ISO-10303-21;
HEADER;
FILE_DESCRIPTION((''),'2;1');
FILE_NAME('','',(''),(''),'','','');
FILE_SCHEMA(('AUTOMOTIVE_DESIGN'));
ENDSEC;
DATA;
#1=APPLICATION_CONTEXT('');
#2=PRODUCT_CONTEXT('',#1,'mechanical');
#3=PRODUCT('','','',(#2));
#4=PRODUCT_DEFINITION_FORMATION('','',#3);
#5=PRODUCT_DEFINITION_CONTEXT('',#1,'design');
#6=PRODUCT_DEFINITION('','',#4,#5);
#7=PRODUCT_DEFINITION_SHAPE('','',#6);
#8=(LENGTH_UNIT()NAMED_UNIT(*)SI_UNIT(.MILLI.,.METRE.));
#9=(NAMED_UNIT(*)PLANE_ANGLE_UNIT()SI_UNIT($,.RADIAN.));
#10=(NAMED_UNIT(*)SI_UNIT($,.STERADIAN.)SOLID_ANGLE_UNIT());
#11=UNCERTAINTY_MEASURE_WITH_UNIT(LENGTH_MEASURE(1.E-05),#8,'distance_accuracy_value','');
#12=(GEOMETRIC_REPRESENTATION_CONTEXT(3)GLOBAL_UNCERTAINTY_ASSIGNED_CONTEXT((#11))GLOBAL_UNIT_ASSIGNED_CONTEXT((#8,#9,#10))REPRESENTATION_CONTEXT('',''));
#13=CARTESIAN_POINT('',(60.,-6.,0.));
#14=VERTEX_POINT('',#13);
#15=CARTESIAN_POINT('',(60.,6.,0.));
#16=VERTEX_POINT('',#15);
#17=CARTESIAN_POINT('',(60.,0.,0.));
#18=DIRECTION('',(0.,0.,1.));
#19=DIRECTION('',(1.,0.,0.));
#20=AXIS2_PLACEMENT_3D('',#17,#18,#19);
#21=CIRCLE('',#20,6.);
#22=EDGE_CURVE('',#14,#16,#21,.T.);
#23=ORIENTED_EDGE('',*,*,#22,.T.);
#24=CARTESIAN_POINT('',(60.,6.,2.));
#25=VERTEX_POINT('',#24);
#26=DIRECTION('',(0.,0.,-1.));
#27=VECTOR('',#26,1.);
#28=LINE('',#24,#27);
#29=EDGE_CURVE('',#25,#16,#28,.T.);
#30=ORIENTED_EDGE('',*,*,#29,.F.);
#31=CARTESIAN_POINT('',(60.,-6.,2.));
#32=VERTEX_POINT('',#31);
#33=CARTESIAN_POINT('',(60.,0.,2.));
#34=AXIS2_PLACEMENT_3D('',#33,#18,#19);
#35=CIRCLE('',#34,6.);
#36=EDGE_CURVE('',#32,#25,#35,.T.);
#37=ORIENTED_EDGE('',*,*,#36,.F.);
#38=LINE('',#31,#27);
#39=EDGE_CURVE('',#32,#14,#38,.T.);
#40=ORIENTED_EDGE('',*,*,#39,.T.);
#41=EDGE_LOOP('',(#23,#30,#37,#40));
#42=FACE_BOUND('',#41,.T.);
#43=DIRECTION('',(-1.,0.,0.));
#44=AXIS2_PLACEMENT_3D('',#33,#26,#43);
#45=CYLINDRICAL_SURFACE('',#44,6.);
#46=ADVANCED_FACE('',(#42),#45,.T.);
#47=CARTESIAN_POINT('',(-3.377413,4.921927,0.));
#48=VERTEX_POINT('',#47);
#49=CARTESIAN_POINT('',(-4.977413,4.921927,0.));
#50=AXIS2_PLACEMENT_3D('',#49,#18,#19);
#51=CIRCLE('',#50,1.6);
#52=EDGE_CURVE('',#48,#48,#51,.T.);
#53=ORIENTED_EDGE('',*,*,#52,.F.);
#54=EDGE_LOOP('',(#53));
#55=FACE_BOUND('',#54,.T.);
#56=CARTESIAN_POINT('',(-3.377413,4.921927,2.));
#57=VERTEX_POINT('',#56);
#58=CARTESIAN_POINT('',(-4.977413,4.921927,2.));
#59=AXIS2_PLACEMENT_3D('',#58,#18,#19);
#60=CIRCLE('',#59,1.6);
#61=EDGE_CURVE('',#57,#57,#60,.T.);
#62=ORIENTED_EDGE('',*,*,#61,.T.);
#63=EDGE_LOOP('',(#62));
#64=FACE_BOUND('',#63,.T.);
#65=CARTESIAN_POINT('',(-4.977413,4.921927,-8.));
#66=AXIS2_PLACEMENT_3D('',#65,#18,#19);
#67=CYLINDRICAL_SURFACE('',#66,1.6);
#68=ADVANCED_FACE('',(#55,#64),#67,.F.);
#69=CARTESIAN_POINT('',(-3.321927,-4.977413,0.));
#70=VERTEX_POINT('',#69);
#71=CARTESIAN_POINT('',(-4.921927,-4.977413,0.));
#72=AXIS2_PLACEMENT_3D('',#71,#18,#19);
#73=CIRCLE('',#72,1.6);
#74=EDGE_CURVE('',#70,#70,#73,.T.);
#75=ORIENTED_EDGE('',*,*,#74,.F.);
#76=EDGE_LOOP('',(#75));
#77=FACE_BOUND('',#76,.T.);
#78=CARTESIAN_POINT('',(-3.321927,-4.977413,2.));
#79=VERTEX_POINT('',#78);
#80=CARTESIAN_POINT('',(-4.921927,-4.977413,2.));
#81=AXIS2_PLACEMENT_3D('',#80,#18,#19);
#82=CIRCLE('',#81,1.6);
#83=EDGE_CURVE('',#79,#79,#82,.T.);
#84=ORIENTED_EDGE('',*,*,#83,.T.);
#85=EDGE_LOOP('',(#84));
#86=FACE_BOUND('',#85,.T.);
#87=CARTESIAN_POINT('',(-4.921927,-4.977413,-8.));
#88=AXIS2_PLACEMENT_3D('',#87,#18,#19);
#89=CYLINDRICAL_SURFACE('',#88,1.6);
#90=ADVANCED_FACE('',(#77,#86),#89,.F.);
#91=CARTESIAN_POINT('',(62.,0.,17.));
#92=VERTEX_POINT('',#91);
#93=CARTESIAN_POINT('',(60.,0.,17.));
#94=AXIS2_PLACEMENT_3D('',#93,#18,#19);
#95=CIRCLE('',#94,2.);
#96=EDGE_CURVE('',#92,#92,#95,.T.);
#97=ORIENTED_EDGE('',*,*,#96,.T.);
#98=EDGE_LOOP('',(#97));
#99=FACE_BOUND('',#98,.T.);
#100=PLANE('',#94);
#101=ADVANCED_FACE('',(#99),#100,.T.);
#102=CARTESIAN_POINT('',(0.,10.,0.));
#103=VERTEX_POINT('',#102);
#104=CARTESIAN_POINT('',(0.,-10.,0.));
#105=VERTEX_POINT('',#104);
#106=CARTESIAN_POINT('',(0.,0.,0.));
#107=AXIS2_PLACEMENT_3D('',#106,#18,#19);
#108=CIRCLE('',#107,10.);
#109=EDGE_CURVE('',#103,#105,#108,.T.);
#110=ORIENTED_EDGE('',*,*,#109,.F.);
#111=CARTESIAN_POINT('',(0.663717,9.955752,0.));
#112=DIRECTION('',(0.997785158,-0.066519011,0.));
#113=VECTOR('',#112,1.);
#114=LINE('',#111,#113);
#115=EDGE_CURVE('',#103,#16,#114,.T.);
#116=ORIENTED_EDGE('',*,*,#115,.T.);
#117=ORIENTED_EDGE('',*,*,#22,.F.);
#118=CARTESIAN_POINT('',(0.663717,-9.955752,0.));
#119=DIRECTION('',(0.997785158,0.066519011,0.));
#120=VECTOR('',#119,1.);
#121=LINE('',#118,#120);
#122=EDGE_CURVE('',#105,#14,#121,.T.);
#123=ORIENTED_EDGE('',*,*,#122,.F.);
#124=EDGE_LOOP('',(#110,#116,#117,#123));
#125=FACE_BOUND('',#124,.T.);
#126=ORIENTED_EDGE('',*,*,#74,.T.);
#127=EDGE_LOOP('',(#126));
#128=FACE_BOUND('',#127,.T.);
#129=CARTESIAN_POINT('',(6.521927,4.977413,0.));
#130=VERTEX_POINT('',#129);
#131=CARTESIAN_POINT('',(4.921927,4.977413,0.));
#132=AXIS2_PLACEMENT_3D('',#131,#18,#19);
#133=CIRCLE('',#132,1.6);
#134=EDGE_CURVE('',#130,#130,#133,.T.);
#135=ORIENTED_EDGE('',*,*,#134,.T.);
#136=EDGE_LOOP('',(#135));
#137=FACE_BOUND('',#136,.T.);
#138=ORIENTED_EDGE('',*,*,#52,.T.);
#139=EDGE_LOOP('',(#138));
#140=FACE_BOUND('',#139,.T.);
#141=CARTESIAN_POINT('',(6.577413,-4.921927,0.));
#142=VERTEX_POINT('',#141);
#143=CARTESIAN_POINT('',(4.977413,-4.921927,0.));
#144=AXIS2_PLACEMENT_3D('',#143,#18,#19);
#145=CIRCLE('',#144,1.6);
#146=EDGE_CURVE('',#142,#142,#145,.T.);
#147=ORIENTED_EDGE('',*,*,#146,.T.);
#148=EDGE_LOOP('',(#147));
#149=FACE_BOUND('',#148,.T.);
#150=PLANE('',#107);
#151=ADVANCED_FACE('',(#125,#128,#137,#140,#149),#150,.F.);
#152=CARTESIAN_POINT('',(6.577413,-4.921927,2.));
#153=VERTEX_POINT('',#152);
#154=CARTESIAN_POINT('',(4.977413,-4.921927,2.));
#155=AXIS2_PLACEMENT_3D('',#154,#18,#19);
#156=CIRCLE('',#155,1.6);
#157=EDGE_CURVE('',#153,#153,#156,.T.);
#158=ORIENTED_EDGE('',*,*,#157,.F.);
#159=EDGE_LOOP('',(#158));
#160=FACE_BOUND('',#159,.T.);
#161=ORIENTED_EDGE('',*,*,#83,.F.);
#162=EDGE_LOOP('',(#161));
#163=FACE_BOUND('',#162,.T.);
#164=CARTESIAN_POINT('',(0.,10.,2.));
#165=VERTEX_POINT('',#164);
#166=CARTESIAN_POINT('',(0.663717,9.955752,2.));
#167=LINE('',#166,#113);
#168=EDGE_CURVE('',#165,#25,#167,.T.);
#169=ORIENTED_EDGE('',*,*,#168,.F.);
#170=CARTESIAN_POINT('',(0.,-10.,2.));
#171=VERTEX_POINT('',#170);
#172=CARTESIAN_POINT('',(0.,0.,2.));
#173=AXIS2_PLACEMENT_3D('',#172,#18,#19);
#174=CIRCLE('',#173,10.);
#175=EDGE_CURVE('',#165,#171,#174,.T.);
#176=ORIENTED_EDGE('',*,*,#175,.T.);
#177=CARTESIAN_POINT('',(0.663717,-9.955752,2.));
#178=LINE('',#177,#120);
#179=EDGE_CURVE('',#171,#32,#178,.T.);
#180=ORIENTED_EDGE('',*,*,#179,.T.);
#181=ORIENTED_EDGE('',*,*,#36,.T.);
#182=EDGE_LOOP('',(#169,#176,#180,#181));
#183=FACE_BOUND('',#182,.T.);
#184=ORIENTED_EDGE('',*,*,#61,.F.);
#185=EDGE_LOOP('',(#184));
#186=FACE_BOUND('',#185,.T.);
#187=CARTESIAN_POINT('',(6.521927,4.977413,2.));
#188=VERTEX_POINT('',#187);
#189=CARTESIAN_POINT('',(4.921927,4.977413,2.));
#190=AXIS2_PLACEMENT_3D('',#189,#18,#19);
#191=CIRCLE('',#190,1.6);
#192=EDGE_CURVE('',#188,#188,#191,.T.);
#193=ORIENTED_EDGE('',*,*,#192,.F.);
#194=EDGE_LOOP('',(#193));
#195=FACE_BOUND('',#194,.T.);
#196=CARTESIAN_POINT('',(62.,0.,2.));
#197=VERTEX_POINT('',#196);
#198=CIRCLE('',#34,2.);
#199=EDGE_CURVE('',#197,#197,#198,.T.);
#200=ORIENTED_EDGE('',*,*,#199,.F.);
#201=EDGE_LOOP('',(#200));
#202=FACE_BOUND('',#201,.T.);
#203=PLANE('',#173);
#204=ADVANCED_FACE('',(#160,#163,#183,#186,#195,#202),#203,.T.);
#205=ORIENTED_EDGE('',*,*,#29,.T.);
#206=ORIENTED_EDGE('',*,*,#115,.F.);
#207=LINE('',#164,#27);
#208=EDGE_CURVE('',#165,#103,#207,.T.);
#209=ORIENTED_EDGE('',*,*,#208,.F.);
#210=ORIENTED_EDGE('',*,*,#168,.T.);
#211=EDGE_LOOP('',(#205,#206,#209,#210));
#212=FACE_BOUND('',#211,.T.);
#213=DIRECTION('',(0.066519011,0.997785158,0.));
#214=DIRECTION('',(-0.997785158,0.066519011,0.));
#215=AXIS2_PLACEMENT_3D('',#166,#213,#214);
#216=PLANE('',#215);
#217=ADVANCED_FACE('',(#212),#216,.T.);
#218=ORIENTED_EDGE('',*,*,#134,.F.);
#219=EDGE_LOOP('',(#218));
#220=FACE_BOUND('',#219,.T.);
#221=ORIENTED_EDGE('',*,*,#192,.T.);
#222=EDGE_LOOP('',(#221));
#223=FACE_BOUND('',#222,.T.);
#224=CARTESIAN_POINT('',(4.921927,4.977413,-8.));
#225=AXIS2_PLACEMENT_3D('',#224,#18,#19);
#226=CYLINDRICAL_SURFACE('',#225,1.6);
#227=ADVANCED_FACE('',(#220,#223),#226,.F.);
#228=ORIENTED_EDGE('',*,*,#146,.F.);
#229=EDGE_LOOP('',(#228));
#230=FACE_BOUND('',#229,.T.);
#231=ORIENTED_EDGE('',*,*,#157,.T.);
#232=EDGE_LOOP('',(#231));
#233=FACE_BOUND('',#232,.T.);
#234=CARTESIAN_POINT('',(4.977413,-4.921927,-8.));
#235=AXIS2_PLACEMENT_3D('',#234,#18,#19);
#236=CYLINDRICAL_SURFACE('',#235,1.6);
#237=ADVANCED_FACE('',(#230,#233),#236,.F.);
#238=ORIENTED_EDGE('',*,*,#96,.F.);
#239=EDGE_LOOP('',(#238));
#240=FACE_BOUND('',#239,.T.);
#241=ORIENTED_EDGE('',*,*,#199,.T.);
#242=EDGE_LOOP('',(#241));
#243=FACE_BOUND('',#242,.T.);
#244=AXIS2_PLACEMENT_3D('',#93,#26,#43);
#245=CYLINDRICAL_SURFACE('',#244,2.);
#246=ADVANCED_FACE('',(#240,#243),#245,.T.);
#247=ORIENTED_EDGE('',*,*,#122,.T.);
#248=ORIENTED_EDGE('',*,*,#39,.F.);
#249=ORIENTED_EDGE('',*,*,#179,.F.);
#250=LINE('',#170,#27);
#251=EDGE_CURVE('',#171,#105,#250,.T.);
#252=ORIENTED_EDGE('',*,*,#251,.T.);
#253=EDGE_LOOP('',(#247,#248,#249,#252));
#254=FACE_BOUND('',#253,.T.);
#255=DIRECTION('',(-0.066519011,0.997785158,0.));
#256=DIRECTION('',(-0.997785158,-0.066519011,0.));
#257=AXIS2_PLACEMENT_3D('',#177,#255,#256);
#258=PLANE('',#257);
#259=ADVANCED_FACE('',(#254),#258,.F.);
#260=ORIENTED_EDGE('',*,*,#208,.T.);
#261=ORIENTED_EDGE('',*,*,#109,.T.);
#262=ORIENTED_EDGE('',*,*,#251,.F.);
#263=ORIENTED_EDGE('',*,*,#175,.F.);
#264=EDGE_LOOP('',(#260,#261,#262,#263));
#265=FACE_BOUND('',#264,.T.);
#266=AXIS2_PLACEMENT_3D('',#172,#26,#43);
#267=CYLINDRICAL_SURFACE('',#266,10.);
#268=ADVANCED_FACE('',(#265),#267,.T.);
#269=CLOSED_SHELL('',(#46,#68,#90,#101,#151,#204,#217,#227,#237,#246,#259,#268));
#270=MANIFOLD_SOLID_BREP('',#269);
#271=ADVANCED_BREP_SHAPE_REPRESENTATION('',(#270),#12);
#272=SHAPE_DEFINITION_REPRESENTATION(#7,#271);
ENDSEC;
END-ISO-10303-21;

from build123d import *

# Parameters (mm, degrees)
BOSS_EXTRUDE1_DEPTH = 2
SKETCH2_R           = 1.6
CUT_EXTRUDE1_DEPTH  = 10
SKETCH3_R           = 2
BOSS_EXTRUDE2_DEPTH = 15


with BuildPart() as part:
    # Sketch1 → Boss-Extrude1 (new body)
    with BuildSketch(Plane.XY):
        with BuildLine():
            ThreePointArc((0, 10), (-10, 0), (0, -10))
            Line((0, -10), (60, -6))
            ThreePointArc((60, -6), (66, 0), (60, 6))
            Line((60, 6), (0, 10))
        make_face()
    extrude(amount=BOSS_EXTRUDE1_DEPTH)

    # Sketch2 → Cut-Extrude1 (cut)
    with BuildSketch(Plane.XY.offset(2)):
        with Locations((-4.977412632, 4.921926807)):
            Circle(SKETCH2_R)
        with Locations((4.921926807, 4.977412632)):
            Circle(SKETCH2_R)
        with Locations((4.977412632, -4.921926807)):
            Circle(SKETCH2_R)
        with Locations((-4.921926807, -4.977412632)):
            Circle(SKETCH2_R)
    extrude(amount=-CUT_EXTRUDE1_DEPTH, mode=Mode.SUBTRACT)

    # Sketch3 → Boss-Extrude2 (add)
    with BuildSketch(Plane.XY.offset(2)):
        with Locations((60, 0)):
            Circle(SKETCH3_R)
    extrude(amount=BOSS_EXTRUDE2_DEPTH)


solid = part.part
